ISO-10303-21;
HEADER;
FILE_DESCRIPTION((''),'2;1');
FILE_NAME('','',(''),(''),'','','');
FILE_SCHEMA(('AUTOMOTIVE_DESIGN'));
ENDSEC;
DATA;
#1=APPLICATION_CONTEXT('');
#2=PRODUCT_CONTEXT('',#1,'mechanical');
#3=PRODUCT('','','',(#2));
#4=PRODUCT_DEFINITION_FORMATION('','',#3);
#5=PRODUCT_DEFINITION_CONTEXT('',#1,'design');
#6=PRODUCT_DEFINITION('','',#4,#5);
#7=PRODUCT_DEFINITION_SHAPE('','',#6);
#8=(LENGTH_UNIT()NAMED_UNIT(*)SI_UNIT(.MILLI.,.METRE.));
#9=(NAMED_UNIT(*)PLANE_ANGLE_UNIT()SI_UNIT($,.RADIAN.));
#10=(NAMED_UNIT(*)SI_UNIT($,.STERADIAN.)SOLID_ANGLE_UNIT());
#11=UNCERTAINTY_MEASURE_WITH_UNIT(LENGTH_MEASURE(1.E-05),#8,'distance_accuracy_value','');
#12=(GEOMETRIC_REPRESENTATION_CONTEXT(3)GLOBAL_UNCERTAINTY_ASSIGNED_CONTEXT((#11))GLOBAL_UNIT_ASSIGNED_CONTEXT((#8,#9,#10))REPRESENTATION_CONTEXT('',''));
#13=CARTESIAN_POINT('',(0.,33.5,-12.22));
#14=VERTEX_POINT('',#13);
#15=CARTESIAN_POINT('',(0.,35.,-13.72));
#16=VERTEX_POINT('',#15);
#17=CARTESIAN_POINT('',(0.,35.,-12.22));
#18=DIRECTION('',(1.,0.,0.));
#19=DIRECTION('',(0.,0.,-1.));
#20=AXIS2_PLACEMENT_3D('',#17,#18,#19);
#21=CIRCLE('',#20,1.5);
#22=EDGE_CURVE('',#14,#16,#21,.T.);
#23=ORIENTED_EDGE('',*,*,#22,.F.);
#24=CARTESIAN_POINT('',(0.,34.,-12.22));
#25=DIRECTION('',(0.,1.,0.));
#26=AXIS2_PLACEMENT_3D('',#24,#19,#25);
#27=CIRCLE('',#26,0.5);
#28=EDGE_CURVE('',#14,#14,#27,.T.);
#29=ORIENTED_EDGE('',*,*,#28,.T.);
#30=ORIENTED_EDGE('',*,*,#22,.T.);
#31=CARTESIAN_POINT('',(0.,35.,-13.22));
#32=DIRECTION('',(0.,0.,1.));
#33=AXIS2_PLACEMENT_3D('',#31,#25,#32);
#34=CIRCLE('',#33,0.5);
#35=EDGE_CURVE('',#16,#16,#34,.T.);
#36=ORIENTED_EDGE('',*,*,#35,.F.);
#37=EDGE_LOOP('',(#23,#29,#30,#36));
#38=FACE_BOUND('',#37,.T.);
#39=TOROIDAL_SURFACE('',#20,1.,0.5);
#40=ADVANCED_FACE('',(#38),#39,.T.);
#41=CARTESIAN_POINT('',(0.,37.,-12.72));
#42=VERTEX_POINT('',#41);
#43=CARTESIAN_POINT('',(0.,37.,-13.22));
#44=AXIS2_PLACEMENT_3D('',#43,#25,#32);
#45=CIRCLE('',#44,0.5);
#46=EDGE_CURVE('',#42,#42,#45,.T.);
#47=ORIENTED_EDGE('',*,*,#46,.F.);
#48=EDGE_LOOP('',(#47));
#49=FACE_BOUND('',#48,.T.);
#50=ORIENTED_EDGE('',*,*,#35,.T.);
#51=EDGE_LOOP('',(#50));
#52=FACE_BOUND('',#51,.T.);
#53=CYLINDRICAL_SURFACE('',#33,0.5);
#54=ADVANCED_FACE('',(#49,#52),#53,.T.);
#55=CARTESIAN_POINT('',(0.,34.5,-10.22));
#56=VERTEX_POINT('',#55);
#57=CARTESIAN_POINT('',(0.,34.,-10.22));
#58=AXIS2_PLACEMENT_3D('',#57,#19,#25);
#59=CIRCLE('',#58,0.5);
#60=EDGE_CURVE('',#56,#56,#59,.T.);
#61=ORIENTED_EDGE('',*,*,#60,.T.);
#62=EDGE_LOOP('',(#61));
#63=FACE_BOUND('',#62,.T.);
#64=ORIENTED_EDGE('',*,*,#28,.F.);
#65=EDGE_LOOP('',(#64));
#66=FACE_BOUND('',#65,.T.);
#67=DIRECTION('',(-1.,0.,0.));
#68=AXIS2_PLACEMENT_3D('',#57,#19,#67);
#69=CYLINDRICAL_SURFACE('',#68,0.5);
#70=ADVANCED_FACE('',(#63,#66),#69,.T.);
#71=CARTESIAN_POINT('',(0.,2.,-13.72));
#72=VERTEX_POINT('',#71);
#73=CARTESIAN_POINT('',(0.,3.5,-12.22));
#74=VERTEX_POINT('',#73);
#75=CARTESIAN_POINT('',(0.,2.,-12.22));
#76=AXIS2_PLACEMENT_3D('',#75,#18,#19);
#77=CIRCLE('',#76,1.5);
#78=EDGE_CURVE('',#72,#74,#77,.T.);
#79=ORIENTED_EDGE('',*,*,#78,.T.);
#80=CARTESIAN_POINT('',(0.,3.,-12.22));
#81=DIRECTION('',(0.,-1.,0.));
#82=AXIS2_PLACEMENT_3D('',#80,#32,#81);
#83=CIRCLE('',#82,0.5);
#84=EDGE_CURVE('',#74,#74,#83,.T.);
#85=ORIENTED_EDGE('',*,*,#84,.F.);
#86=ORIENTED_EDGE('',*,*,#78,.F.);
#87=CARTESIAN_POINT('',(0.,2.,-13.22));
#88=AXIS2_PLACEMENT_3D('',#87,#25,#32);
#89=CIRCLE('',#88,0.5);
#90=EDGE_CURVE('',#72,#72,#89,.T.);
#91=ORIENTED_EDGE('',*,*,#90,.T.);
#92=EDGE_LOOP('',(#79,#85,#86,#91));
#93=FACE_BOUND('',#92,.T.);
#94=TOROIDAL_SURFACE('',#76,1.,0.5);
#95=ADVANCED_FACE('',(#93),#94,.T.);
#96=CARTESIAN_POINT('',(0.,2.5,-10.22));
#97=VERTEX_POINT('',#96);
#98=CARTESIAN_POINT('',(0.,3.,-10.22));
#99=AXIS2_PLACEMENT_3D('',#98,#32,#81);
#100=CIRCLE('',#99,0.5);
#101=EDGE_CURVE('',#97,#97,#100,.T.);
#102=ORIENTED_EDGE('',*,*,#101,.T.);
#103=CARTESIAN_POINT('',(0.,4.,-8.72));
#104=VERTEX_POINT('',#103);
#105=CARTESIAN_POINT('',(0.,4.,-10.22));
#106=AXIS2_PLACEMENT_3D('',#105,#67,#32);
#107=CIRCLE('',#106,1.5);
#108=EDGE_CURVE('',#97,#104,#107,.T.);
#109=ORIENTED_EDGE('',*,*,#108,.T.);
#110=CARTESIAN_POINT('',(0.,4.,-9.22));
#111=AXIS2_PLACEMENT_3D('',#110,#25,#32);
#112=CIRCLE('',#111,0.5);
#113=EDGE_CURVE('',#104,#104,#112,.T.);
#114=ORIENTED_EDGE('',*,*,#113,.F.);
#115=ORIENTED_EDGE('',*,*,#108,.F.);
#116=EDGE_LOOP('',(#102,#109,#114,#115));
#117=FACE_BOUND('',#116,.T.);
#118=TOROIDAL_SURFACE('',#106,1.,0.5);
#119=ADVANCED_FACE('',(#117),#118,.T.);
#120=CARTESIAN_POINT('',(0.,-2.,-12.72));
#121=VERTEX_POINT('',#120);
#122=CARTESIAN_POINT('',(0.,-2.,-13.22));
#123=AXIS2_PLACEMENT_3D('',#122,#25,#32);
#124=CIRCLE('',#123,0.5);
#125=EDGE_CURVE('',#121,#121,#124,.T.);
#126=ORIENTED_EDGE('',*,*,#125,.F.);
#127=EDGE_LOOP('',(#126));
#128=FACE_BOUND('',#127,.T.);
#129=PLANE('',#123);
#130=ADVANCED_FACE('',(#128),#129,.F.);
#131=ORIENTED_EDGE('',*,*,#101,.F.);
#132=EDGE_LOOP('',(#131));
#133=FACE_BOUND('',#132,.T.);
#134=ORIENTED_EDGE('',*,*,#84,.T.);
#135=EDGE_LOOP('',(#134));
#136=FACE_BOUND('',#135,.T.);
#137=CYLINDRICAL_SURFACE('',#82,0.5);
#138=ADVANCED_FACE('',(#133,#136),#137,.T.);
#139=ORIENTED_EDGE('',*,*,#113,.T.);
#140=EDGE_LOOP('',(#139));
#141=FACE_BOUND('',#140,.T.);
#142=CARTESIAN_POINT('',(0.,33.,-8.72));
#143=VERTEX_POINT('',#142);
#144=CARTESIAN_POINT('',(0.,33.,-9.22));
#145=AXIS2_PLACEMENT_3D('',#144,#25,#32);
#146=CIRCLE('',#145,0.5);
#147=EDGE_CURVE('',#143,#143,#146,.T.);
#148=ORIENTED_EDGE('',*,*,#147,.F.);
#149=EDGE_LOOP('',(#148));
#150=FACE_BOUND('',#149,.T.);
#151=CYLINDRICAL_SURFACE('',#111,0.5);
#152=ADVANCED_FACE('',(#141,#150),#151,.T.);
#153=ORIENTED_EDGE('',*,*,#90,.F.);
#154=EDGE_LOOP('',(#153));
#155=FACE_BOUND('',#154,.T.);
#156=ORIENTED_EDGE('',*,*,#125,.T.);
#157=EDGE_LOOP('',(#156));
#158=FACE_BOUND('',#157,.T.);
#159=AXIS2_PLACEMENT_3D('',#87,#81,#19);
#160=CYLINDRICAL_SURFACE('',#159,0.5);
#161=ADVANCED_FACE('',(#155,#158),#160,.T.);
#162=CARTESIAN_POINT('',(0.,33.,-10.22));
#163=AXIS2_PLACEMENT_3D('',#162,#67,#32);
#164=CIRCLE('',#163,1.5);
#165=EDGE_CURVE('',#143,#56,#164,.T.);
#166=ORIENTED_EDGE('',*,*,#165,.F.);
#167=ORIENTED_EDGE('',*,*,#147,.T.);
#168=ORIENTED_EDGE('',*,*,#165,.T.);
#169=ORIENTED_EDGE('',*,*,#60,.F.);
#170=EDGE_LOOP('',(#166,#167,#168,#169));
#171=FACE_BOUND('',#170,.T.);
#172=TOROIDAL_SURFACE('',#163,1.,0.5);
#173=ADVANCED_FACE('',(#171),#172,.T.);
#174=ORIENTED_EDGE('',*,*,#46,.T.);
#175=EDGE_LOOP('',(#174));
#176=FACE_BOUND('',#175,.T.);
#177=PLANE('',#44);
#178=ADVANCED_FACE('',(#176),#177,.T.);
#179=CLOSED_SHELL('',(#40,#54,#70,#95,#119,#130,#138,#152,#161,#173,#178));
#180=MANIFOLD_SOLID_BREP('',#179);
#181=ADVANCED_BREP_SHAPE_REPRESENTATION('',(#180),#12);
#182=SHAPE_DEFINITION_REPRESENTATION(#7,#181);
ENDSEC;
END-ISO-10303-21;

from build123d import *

# Parameters (mm, degrees)
SKETCH2_R = 0.5


with BuildPart() as part:
    # Sweep1: sweep along a path in Sketch1
    with BuildLine(Plane(origin=(0, 0, 0), x_dir=(0, 0, -1), z_dir=(1, 0, 0))) as sweep1_path:
        Line((13.22, -2), (13.22, 2))
        ThreePointArc((13.22, 2), (12.927106781, 2.707106781), (12.22, 3))
        Line((12.22, 3), (10.22, 3))
        ThreePointArc((10.22, 3), (9.512893219, 3.292893219), (9.22, 4))
        Line((9.22, 4), (9.22, 33))
        ThreePointArc((9.22, 33), (9.512893219, 33.707106781), (10.22, 34))
        Line((10.22, 34), (12.22, 34))
        ThreePointArc((12.22, 34), (12.927106781, 34.292893219), (13.22, 35))
        Line((13.22, 35), (13.22, 37))
    # Sketch2 → Sweep1 (sweep)
    with BuildSketch(Plane(origin=(0, -2, 0), x_dir=(1, 0, 0), z_dir=(0, 1, 0))):
        with Locations((0, 13.22)):
            Circle(SKETCH2_R)
    sweep(path=sweep1_path.line)


solid = part.part
